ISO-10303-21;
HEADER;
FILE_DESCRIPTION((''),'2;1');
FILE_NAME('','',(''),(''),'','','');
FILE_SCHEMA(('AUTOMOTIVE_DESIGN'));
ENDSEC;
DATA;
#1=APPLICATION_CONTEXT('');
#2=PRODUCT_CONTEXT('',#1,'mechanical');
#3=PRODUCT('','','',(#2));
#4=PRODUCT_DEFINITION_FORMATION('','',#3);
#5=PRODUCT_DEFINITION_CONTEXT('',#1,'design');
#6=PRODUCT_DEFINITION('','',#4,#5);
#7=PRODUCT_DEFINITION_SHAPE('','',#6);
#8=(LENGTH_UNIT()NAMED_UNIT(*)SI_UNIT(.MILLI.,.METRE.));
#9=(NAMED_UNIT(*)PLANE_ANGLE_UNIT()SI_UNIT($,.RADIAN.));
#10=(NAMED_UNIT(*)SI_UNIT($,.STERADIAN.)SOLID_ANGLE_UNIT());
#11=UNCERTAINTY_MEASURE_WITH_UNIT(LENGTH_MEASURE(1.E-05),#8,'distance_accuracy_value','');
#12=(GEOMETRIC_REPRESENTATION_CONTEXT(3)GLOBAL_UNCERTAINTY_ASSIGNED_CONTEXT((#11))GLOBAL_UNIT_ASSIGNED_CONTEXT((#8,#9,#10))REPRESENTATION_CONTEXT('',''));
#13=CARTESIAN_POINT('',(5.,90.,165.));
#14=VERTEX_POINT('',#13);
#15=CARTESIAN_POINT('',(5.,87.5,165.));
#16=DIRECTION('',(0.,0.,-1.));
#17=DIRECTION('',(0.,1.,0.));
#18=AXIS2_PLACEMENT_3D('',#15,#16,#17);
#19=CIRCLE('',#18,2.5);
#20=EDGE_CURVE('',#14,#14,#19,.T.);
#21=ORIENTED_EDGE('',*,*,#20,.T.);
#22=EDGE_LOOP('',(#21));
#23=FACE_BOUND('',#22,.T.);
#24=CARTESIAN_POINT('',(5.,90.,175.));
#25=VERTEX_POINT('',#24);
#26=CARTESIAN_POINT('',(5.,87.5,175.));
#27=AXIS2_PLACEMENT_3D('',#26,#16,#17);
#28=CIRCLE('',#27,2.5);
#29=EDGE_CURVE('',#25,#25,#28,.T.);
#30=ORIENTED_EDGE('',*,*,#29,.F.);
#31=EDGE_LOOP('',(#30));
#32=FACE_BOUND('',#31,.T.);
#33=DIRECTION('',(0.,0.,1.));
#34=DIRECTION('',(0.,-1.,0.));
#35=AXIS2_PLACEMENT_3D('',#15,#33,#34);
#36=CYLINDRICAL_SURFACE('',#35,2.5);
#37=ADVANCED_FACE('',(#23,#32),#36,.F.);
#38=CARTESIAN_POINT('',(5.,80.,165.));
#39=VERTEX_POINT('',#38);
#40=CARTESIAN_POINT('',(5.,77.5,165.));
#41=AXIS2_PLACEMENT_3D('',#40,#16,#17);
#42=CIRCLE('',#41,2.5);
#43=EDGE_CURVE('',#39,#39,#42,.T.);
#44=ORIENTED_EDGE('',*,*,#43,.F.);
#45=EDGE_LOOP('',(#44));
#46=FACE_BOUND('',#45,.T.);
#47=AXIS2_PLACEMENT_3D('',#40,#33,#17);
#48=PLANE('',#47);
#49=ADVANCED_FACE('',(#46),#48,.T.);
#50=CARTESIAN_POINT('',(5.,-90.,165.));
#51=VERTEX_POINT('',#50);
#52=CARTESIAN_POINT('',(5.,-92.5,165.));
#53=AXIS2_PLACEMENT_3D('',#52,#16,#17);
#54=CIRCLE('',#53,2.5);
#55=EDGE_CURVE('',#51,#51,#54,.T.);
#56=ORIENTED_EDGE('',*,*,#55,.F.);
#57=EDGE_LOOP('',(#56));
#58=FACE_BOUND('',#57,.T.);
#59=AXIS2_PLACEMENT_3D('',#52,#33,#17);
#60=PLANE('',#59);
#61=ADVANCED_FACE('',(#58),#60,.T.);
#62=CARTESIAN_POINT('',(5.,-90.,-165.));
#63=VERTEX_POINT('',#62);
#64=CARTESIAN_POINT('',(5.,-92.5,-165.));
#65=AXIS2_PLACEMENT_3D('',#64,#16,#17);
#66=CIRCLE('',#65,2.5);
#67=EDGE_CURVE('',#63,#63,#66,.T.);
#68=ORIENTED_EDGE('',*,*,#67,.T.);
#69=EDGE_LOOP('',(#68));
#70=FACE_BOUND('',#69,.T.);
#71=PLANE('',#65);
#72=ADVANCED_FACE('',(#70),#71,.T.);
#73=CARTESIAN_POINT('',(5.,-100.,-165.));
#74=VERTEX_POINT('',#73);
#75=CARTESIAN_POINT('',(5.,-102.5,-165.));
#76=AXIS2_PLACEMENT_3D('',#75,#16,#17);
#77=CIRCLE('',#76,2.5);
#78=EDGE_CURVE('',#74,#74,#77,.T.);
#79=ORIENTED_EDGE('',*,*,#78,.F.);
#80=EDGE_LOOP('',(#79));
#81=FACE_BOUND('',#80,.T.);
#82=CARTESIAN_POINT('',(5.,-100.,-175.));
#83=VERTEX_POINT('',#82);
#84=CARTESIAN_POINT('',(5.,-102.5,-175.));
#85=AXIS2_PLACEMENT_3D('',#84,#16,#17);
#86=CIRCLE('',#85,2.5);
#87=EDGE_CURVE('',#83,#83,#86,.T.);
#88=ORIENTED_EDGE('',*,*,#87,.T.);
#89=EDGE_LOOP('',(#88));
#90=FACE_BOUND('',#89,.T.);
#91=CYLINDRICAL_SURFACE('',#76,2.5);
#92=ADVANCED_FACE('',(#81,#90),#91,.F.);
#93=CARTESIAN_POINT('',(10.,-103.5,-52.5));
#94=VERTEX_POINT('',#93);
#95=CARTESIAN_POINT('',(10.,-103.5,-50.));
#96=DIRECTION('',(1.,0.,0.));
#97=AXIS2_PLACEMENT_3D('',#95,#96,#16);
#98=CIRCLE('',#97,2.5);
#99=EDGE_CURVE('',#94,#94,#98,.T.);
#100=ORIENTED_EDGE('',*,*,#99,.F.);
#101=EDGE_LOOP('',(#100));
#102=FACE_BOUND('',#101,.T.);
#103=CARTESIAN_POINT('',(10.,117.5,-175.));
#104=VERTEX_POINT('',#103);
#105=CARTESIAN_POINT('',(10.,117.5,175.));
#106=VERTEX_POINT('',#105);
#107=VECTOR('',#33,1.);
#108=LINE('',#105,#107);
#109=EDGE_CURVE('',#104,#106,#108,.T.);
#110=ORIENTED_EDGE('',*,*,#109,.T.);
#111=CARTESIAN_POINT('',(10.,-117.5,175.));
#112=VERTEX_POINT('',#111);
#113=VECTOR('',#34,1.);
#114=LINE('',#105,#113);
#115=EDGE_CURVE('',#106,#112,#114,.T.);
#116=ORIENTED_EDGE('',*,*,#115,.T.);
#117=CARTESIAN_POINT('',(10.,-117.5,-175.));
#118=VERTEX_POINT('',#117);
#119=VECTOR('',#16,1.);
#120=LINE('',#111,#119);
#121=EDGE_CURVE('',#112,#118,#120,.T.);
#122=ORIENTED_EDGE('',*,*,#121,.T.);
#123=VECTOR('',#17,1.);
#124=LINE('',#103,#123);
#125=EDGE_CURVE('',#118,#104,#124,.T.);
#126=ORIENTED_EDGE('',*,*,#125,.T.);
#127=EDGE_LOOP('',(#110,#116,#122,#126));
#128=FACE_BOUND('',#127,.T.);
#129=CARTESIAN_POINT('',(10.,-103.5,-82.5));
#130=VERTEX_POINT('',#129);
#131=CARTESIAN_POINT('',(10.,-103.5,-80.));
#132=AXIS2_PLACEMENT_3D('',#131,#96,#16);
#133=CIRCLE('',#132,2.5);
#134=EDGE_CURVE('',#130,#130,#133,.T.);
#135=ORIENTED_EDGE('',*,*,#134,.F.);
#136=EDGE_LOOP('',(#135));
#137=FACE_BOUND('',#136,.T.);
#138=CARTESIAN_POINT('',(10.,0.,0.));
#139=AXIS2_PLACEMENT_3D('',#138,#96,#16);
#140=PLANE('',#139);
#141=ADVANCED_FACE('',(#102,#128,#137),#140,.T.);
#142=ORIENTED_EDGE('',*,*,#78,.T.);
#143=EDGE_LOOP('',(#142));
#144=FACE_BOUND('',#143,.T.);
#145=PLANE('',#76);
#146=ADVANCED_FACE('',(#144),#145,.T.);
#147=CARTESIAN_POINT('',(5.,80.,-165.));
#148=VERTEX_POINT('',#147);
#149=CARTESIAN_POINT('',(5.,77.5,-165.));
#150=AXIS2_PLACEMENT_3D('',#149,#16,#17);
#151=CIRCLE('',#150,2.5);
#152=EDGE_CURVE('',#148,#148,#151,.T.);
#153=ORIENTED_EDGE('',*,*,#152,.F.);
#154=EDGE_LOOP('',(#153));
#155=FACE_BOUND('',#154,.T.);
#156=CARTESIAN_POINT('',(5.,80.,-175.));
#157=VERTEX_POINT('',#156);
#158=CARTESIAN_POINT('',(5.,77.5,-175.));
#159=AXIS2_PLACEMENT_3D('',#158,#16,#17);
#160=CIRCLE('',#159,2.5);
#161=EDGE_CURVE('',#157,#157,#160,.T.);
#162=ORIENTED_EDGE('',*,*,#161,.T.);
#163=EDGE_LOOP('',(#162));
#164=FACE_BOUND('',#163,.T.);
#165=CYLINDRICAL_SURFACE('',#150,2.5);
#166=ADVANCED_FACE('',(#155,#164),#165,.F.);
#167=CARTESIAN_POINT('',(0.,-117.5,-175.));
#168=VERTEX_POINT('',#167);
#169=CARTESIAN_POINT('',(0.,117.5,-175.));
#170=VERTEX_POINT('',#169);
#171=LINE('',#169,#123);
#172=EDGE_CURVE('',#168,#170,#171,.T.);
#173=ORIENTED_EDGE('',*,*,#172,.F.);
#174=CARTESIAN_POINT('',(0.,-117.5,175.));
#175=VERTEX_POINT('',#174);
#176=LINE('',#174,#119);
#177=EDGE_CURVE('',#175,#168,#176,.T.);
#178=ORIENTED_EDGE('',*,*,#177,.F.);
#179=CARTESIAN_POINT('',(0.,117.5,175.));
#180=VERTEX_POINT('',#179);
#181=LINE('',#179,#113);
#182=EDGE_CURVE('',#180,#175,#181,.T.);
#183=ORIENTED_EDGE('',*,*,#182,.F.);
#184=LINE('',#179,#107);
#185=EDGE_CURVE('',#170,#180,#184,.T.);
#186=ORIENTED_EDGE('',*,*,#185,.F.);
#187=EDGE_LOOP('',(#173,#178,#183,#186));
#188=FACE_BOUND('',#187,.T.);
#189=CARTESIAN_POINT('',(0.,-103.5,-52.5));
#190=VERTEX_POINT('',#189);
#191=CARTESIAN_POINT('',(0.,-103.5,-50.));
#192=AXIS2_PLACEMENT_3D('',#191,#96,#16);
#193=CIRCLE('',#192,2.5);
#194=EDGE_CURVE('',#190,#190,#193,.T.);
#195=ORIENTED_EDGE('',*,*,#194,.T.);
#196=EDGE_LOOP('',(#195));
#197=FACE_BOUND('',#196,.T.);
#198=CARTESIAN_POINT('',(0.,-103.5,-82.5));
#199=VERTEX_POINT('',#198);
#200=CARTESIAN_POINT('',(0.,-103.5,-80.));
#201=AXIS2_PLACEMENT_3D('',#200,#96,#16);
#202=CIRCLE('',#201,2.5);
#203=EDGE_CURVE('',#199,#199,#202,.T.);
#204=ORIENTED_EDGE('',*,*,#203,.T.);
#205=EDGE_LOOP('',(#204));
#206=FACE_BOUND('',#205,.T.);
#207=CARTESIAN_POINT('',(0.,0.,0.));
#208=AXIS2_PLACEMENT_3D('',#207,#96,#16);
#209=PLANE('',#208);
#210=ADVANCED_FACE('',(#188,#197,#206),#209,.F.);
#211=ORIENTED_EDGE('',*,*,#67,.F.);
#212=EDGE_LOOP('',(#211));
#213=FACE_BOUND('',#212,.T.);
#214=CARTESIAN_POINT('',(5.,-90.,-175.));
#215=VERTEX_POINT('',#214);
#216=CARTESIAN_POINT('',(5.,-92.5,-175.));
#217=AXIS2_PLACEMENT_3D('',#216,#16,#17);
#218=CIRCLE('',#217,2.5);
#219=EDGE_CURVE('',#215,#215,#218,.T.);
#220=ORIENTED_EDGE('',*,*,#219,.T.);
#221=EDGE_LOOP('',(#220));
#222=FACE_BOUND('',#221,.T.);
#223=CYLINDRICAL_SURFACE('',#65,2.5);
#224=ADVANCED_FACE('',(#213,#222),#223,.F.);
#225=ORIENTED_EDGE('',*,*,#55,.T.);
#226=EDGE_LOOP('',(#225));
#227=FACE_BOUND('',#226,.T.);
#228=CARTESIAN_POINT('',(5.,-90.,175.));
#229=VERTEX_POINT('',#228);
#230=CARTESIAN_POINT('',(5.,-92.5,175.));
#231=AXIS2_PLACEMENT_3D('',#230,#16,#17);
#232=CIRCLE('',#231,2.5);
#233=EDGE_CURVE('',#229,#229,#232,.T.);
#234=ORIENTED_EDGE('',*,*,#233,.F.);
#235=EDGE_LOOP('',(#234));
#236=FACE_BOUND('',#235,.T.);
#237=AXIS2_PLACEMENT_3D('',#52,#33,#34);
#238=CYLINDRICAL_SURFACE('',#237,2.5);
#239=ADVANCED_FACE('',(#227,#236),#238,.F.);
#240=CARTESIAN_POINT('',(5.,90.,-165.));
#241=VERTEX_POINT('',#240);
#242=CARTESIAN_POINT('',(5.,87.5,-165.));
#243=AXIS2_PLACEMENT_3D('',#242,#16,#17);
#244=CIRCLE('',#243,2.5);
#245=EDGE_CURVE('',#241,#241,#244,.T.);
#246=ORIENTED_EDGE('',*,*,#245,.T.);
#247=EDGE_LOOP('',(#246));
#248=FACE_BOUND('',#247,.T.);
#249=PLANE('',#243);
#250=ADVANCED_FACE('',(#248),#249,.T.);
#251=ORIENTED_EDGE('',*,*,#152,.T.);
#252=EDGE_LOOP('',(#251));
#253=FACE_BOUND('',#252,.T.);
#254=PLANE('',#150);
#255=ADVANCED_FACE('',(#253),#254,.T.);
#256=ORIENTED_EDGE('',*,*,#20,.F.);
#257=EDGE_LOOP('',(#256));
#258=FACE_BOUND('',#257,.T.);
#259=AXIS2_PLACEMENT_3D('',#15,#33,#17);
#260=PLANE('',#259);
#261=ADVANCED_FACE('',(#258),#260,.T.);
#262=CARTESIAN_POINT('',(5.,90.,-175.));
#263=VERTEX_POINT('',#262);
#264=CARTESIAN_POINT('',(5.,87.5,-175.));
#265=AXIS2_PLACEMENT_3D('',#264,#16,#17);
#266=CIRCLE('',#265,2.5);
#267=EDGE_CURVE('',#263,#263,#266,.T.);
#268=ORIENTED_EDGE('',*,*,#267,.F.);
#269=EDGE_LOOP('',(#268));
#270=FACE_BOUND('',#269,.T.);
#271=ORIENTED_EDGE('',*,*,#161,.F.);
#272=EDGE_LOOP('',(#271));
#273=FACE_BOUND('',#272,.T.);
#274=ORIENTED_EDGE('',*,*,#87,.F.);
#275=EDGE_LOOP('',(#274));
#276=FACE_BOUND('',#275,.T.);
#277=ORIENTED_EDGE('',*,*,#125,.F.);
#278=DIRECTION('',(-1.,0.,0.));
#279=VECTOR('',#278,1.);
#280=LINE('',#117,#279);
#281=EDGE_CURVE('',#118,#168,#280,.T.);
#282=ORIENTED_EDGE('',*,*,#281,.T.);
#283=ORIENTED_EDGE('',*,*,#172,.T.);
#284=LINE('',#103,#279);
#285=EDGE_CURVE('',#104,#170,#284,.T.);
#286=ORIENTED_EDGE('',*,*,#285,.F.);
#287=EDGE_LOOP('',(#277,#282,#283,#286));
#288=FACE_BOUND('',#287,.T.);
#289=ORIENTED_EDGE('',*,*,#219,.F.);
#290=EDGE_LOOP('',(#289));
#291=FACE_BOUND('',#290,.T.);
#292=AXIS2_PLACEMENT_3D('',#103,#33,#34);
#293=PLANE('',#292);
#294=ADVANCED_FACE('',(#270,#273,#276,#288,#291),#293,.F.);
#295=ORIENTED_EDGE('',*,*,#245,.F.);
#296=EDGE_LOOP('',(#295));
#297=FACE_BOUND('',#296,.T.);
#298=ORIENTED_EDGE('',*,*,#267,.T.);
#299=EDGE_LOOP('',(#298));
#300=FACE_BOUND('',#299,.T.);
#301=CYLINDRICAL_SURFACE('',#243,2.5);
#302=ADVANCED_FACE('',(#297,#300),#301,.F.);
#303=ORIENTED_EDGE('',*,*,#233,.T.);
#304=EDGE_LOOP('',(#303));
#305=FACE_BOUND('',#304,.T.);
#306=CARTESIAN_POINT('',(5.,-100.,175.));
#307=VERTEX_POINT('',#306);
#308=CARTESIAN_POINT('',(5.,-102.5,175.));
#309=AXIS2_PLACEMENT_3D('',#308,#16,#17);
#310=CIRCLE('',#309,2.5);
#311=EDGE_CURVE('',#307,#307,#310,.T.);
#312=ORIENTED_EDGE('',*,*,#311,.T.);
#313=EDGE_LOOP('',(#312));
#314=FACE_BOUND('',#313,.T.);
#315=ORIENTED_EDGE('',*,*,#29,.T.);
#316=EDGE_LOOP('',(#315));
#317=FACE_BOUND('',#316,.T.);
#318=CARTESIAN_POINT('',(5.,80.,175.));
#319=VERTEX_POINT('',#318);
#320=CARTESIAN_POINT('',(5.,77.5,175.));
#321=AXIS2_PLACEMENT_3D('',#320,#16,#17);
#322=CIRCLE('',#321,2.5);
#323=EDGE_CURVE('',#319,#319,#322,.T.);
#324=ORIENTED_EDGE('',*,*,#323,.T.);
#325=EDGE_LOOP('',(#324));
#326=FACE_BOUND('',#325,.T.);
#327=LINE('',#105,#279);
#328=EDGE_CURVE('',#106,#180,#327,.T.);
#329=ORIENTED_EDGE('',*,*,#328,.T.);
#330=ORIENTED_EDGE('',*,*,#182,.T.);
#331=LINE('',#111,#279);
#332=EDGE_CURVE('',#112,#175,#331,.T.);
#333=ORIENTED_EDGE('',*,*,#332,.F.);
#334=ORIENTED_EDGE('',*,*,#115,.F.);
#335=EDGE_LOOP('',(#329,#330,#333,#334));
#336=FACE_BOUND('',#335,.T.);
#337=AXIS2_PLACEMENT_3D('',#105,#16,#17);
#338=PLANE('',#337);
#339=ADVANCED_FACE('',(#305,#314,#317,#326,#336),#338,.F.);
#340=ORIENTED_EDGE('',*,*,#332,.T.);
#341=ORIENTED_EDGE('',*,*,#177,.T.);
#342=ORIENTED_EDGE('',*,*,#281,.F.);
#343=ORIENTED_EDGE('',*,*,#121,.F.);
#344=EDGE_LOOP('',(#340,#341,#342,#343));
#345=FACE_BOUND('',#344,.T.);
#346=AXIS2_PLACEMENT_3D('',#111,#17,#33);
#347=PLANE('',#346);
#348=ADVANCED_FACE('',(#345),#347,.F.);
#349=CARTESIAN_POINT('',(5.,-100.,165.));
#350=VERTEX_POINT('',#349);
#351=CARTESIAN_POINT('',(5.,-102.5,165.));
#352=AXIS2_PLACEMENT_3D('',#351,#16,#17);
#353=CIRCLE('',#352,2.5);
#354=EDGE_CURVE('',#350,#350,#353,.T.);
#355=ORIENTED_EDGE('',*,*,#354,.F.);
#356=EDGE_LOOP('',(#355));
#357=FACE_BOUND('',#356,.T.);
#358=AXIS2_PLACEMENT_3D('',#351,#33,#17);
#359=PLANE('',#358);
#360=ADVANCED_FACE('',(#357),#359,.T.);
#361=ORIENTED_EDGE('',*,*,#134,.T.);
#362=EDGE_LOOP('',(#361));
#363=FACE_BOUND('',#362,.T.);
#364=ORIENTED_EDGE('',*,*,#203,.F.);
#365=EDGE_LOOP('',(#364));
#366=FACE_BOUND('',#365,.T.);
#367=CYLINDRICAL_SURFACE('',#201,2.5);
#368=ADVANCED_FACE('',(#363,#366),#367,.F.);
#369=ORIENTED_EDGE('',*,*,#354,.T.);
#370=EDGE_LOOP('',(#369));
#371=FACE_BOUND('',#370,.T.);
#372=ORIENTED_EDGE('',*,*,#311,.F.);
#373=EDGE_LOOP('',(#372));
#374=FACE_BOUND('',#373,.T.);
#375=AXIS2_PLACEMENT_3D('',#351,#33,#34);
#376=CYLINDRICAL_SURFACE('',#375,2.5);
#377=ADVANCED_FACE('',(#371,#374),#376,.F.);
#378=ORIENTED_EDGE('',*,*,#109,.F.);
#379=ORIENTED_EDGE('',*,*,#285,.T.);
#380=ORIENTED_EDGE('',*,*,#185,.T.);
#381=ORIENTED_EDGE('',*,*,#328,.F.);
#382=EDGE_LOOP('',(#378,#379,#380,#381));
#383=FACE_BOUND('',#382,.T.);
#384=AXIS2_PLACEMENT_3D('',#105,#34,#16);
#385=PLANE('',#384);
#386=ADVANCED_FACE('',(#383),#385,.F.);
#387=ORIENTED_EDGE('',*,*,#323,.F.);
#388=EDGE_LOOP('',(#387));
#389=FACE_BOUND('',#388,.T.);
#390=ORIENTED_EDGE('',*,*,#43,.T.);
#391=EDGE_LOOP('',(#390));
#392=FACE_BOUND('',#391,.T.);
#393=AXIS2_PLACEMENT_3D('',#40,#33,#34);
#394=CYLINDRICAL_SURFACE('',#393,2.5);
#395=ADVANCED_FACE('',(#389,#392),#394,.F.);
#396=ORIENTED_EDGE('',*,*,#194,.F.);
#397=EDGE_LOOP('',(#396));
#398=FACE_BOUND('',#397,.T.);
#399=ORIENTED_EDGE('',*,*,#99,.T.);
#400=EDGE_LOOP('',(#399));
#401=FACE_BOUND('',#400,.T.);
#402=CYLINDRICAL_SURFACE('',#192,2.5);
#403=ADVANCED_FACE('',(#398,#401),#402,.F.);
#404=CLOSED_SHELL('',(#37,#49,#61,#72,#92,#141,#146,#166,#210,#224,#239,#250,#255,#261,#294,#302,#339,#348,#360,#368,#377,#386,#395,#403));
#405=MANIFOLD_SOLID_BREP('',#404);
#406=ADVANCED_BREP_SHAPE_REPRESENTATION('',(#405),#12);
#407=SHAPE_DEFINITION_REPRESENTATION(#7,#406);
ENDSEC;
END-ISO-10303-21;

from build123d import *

# Parameters (mm, degrees)
SKETCH1_W           = 350
SKETCH1_H           = 235
BOSS_EXTRUDE1_DEPTH = 10
SKETCH2_R           = 2.5
CUT_EXTRUDE1_DEPTH  = 212.024287702
SKETCH3_R           = 2.5
CUT_EXTRUDE2_DEPTH  = 10


with BuildPart() as part:
    # Sketch1 → Boss-Extrude1 (new body)
    with BuildSketch(Plane(origin=(0, 0, 0), x_dir=(0, 0, -1), z_dir=(1, 0, 0))):
        Rectangle(SKETCH1_W, SKETCH1_H)
    extrude(amount=BOSS_EXTRUDE1_DEPTH)

    # Sketch2 → Cut-Extrude1 (cut, through all)
    with BuildSketch(Plane(origin=(10, 0, 0), x_dir=(0, 0, -1), z_dir=(1, 0, 0))):
        with Locations((50, -103.5)):
            Circle(SKETCH2_R)
        with Locations((80, -103.5)):
            Circle(SKETCH2_R)
    extrude(amount=-CUT_EXTRUDE1_DEPTH, mode=Mode.SUBTRACT)

    # Sketch3 → Cut-Extrude2 (cut)
    with BuildSketch(Plane(origin=(0, 0, -175), x_dir=(-1, 0, 0), z_dir=(0, 0, -1))):
        with Locations(Location((-5, 87.5, 0), (0, 0, 90))):
            Circle(SKETCH3_R)
        with Locations(Location((-5, 77.5, 0), (0, 0, 90))):
            Circle(SKETCH3_R)
        with Locations(Location((-5, -92.5, 0), (0, 0, 90))):
            Circle(SKETCH3_R)
        with Locations(Location((-5, -102.5, 0), (0, 0, 90))):
            Circle(SKETCH3_R)
    cut_extrude2 = extrude(amount=-CUT_EXTRUDE2_DEPTH, mode=Mode.SUBTRACT)

    # Mirror1: Cut-Extrude2 across plane
    add(cut_extrude2.mirror(Plane.XY), mode=Mode.SUBTRACT)


solid = part.part
